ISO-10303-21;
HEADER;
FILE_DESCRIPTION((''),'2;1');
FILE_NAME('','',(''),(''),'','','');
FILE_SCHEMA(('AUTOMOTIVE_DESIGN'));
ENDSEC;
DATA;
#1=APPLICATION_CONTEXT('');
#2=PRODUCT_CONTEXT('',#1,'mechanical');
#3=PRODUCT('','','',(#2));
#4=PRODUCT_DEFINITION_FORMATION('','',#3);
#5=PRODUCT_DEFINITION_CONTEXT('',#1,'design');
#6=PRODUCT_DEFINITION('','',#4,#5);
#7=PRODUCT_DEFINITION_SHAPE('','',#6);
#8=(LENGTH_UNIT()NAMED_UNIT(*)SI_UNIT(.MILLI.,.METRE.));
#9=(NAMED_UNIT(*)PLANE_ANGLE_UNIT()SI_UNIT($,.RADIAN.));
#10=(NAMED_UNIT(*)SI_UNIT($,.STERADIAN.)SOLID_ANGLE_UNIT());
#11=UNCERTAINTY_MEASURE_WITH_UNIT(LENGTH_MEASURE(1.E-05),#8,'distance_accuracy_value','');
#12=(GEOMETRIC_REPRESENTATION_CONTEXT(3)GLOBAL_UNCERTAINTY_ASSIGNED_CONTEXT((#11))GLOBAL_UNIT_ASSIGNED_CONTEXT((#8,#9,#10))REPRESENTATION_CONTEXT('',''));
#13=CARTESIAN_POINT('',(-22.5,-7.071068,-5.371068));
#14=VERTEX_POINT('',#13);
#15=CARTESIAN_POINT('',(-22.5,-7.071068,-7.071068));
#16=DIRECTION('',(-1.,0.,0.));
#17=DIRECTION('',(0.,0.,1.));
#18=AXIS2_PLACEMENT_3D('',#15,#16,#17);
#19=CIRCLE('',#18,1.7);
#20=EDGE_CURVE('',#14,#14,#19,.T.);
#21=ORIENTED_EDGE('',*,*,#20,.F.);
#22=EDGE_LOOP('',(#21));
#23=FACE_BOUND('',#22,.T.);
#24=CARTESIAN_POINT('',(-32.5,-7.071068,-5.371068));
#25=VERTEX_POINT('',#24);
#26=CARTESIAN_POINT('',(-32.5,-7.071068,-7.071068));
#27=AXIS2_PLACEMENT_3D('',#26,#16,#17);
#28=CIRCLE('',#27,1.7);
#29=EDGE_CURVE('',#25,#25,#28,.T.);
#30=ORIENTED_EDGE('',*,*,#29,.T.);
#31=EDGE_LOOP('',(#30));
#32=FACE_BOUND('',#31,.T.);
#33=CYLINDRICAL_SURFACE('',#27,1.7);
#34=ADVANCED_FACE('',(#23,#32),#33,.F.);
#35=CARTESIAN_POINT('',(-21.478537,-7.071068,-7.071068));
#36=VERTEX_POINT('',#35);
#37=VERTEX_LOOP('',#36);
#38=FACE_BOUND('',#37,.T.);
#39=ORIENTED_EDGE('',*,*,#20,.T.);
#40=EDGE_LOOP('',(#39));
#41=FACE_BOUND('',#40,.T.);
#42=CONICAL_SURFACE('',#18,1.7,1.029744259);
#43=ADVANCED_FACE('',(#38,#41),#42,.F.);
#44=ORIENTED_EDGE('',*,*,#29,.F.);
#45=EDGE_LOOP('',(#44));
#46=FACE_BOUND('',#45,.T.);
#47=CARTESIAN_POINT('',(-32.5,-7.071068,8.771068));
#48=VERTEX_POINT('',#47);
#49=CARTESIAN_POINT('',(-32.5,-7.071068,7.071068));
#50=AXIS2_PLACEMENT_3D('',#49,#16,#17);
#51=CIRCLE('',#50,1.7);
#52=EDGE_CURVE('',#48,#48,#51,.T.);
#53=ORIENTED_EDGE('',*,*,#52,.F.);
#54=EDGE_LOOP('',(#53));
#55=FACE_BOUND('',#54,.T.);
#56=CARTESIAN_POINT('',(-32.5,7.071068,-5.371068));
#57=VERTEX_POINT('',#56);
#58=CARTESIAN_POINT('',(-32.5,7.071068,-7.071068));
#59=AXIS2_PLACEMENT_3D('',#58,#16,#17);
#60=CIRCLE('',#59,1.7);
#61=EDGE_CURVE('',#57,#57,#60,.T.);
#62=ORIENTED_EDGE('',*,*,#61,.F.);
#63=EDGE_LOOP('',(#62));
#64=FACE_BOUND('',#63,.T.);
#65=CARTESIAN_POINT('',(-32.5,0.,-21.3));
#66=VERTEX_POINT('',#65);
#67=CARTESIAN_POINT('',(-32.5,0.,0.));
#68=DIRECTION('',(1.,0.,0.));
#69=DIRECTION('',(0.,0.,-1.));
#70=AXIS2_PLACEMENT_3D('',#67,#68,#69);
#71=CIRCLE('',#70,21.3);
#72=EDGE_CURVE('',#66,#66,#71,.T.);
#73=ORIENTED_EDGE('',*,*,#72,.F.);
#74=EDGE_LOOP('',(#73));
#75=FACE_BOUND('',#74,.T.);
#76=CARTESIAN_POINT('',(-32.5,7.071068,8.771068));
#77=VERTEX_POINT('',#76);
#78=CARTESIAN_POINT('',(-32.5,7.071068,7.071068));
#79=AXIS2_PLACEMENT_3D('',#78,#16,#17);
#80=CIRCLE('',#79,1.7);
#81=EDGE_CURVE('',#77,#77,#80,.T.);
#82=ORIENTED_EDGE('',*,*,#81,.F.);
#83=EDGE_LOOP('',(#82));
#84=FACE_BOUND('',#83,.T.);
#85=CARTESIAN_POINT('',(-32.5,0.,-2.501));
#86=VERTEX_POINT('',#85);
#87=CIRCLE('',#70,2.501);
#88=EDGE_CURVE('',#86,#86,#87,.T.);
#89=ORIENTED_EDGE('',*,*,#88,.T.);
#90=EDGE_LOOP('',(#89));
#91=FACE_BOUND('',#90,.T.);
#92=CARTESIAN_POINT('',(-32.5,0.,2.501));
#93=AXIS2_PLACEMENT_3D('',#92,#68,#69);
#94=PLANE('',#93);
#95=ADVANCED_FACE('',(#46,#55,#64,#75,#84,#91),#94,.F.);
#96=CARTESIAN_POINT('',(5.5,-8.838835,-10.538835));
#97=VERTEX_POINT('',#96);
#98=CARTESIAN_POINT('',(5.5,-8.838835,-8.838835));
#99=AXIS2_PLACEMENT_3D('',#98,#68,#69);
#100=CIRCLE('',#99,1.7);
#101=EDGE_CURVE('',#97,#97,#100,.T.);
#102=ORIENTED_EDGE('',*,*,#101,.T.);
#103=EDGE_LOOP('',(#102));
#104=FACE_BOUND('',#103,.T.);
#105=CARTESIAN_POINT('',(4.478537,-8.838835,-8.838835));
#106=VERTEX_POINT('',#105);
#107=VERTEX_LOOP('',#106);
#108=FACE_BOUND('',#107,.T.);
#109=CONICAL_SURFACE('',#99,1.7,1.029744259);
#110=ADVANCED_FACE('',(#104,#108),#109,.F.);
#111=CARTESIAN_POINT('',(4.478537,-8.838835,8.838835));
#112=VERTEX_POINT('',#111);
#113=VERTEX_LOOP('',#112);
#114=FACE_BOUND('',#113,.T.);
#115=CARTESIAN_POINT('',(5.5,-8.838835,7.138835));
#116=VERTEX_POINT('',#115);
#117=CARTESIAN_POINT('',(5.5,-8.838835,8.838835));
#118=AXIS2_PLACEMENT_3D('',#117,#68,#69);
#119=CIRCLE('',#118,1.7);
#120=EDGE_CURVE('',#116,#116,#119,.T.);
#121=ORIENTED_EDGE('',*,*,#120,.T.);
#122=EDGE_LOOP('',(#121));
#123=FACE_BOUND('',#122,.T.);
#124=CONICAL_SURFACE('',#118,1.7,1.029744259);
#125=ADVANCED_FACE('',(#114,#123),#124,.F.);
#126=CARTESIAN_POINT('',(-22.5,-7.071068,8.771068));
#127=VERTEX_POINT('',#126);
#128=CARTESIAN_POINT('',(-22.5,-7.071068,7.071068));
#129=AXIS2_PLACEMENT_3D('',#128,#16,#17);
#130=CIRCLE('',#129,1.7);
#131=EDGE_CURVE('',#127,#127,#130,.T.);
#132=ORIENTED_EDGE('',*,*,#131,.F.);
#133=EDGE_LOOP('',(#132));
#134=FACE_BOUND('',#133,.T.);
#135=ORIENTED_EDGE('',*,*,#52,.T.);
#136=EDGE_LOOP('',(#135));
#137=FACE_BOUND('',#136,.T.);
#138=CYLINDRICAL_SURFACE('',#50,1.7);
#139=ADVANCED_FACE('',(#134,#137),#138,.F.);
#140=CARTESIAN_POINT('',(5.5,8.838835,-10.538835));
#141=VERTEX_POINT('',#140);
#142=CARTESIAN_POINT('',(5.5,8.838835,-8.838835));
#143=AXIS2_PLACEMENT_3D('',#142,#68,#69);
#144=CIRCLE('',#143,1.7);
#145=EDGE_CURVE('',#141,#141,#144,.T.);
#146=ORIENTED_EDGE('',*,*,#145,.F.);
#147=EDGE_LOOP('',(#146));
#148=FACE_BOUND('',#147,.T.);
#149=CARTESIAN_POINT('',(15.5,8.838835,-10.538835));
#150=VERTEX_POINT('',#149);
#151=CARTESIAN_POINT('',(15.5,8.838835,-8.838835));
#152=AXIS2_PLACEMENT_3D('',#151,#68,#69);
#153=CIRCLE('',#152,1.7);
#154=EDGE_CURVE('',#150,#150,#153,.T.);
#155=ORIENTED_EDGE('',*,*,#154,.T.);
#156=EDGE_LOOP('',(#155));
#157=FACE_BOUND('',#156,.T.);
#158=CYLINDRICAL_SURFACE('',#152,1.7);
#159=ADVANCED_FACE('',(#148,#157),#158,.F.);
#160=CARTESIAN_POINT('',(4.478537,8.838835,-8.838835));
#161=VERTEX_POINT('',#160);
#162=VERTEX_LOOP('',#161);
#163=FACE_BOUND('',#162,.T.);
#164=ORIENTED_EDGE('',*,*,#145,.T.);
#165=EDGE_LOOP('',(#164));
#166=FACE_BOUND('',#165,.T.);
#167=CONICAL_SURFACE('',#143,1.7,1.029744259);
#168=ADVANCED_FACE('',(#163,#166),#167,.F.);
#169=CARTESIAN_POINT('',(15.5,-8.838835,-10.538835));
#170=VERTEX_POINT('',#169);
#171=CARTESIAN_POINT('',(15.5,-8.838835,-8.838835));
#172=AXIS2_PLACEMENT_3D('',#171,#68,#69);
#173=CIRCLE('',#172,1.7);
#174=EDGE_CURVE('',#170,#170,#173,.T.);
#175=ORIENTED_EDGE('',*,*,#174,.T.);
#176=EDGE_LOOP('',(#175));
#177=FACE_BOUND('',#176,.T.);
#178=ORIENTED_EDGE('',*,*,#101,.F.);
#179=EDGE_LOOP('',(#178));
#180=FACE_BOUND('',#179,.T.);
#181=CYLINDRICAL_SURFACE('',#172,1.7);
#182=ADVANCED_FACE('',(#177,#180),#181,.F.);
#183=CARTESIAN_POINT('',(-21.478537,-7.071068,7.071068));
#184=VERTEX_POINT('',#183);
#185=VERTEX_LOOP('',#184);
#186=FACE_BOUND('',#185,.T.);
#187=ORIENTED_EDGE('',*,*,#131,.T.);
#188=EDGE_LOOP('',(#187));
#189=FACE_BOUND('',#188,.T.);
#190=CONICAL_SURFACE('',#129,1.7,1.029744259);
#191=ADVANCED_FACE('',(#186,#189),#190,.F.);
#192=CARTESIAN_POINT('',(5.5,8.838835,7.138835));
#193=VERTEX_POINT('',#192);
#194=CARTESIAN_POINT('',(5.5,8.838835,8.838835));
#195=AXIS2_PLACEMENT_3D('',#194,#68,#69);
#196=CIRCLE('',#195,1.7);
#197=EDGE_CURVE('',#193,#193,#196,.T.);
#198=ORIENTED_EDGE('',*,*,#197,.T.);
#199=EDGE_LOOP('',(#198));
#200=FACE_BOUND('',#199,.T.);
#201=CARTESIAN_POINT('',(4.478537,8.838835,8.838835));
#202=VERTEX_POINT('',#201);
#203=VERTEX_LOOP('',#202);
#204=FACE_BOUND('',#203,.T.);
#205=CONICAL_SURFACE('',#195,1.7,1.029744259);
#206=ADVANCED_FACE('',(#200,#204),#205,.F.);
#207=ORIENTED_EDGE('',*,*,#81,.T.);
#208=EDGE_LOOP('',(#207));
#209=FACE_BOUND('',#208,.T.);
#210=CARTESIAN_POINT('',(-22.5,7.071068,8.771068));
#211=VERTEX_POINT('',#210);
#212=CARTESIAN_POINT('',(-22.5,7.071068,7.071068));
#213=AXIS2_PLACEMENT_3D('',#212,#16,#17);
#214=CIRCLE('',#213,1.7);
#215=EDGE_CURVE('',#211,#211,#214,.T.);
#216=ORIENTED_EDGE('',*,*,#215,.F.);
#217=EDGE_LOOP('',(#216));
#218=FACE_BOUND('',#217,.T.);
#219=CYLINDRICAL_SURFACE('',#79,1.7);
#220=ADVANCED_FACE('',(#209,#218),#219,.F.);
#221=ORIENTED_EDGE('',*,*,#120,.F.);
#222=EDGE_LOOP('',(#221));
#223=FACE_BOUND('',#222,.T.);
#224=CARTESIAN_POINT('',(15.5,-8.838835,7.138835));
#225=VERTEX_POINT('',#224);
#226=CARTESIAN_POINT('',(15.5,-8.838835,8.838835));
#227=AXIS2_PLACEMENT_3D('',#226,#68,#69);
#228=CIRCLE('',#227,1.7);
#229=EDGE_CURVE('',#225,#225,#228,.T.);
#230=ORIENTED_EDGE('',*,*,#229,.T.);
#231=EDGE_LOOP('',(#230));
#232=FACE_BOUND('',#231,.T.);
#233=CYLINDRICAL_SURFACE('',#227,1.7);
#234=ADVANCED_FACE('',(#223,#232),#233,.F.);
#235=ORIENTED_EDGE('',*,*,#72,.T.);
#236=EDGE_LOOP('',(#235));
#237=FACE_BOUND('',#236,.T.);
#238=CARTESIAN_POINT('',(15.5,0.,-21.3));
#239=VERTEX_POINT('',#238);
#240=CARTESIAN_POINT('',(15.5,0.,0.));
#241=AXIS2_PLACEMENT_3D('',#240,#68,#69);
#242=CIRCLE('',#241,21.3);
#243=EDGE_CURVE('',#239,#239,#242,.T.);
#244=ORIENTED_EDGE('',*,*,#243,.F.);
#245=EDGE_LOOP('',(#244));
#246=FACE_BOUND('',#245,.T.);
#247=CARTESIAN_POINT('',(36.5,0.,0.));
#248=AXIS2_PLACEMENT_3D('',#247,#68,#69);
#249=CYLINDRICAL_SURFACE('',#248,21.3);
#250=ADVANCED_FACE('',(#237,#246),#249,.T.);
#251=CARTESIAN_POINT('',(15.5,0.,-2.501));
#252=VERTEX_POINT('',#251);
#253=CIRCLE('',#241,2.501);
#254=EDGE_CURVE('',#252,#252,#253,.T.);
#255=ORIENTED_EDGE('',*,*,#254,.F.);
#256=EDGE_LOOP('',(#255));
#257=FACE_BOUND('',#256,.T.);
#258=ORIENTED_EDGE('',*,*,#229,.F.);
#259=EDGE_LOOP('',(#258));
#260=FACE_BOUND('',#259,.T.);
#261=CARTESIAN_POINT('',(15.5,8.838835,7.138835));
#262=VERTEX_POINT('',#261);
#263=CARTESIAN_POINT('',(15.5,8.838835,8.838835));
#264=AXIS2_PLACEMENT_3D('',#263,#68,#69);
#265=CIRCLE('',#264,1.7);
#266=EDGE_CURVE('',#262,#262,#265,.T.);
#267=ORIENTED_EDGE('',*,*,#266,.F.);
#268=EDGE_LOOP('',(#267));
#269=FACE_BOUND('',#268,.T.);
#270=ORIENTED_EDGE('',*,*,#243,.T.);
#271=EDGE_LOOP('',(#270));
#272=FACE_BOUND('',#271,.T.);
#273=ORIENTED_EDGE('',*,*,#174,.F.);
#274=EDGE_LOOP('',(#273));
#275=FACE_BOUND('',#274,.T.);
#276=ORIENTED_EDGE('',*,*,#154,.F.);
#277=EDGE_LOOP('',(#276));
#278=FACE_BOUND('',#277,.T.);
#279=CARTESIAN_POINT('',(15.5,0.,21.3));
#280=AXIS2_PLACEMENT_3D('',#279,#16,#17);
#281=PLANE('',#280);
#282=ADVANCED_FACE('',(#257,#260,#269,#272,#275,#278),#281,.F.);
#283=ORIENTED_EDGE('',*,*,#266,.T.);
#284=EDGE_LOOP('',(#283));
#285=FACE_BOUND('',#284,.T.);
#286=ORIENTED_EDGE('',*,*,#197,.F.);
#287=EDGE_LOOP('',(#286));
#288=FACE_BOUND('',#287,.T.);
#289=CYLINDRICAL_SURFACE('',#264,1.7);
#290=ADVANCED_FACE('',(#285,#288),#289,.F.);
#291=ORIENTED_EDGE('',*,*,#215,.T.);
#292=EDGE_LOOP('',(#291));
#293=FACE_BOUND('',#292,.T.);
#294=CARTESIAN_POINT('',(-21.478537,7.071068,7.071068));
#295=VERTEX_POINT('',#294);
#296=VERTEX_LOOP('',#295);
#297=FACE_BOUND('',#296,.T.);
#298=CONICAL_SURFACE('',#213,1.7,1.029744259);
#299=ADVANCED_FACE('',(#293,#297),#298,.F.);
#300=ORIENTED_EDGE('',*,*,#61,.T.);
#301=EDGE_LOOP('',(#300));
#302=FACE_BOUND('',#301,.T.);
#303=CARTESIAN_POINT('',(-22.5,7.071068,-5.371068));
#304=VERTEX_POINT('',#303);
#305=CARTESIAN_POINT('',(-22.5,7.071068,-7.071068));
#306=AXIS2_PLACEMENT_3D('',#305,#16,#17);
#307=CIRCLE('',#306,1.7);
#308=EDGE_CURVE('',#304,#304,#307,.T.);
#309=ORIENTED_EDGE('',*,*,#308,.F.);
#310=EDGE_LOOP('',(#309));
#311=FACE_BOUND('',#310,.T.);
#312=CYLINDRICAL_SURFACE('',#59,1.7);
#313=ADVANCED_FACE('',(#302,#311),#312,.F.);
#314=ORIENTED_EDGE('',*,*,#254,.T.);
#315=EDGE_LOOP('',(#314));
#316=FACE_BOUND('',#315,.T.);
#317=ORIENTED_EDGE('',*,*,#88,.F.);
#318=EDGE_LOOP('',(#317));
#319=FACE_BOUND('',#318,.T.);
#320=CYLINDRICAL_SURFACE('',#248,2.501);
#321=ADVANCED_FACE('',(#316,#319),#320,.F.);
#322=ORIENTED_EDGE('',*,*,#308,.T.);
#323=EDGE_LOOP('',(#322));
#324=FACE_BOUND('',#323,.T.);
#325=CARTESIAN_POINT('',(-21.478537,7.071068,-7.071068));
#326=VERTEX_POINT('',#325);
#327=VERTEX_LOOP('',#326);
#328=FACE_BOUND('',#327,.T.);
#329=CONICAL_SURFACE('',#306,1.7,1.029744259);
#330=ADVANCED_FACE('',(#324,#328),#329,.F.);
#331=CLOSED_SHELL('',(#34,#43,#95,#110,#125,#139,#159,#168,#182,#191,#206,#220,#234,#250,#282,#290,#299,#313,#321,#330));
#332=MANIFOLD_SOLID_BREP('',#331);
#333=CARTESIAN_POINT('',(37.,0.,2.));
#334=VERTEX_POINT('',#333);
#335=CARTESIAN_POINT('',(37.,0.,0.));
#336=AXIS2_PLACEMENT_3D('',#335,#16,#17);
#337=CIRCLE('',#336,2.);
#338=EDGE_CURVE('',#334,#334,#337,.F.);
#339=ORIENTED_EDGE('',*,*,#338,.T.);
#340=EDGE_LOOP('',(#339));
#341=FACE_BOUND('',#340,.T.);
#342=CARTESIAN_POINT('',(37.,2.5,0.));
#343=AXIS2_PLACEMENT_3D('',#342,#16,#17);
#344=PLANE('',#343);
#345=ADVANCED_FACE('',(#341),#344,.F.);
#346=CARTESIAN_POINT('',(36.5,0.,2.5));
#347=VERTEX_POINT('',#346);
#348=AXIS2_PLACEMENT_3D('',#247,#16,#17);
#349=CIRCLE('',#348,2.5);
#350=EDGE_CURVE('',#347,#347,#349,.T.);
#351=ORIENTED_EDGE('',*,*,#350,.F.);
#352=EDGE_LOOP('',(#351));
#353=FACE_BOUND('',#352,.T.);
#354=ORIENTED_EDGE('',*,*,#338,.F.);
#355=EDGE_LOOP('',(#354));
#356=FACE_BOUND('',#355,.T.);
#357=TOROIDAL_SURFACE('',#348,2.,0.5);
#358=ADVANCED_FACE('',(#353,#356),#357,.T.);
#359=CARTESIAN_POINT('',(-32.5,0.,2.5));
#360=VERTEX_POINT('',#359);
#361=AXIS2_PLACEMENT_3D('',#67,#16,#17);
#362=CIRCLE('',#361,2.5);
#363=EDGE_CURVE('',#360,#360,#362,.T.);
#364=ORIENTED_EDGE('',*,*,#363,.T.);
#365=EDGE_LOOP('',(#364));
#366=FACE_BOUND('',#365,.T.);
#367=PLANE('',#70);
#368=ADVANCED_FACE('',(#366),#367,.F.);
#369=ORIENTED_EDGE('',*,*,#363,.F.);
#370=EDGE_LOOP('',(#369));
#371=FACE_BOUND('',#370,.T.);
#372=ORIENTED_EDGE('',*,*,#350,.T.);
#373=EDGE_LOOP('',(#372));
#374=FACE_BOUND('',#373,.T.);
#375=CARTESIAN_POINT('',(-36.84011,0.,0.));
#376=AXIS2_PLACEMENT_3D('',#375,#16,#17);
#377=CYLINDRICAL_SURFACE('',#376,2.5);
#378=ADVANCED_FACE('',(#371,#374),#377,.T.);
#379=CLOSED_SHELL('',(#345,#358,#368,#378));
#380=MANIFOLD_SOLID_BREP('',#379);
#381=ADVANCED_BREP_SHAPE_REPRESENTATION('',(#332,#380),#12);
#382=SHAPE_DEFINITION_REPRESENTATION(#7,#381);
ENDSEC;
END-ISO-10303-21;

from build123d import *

# Parameters (mm, degrees)
ESBO_O1_W                        = 69.5
ESBO_O1_H                        = 2.5
FILETE1_R                        = 0.5
ESBO_O10_W                       = 48
ESBO_O10_H                       = 18.799
FURO_COM_FOLGA_DE_M32_AT_2_COUNT = 2
FURO_COM_FOLGA_DE_M32_AT_2_PITCH = 17.67766953
FURO_COM_FOLGA_DE_M32_AT_3_COUNT = 2
FURO_COM_FOLGA_DE_M32_AT_3_PITCH = 25
FURO_COM_FOLGA_DE_M32_AT_4_COUNT = 2
FURO_COM_FOLGA_DE_M32_AT_4_PITCH = 17.67766953
FURO_COM_FOLGA_DE_M33_AT_2_COUNT = 2
FURO_COM_FOLGA_DE_M33_AT_2_PITCH = 14.142135624
FURO_COM_FOLGA_DE_M33_AT_3_COUNT = 2
FURO_COM_FOLGA_DE_M33_AT_3_PITCH = 20
FURO_COM_FOLGA_DE_M33_AT_4_COUNT = 2
FURO_COM_FOLGA_DE_M33_AT_4_PITCH = 14.142135624


with BuildPart() as part:
    # Esboço1 → Revolução2 (revolve)
    with BuildSketch(Plane.XY, mode=Mode.PRIVATE) as revolu_o2_sk:
        with Locations((2.25, 1.25)):
            Rectangle(ESBO_O1_W, ESBO_O1_H)
    revolve(revolu_o2_sk.sketch.rotate(Axis((-36.840109943, 0, 0), (1, 0, 0)), 90), axis=Axis((-36.840109943, 0, 0), (1, 0, 0)))

    # Filete1
    filete1_edges = [part.edges().sort_by_distance(p)[0] for p in [
        (37, 0, -2.5),
    ]]
    fillet(filete1_edges, radius=FILETE1_R)


with BuildPart() as body_2:
    # Esboço10 → Revolução3 (revolve)
    with BuildSketch(Plane(origin=(0, 0, 0), x_dir=(1, 0, 0), z_dir=(0, 1, 0)), mode=Mode.PRIVATE) as revolu_o3_sk:
        with Locations((-8.5, -11.9005)):
            Rectangle(ESBO_O10_W, ESBO_O10_H)
    revolve(revolu_o3_sk.sketch.rotate(Axis((36.5, 0, 0), (-1, 0, 0)), 180), axis=Axis((36.5, 0, 0), (-1, 0, 0)))

    # Esboço12 → Furo com folga de M32 (revolve, cut)
    with BuildSketch(Plane(origin=(15.5, 8.838834765, 8.838834765), x_dir=(0, 0, -1), z_dir=(0, 1, 0))):
        Polygon((0, 0), (0, 11.021463052), (1.7, 10), (1.7, 0), align=None)
    furo_com_folga_de_m32 = revolve(axis=Axis((21.85, 8.838834765, 8.838834765), (-1, 0, 0)), mode=Mode.SUBTRACT)

    # Furo com folga de M32 at 2: Furo com folga de M32 ×2
    with Locations(*[(0, 0, -i * FURO_COM_FOLGA_DE_M32_AT_2_PITCH) for i in range(1, FURO_COM_FOLGA_DE_M32_AT_2_COUNT)]):
        add(furo_com_folga_de_m32, mode=Mode.SUBTRACT)

    # Furo com folga de M32 at 3: Furo com folga de M32 ×2
    with Locations(*[Vector(0, -0.7071067811865437, -0.7071067811865515) * (i * FURO_COM_FOLGA_DE_M32_AT_3_PITCH) for i in range(1, FURO_COM_FOLGA_DE_M32_AT_3_COUNT)]):
        add(furo_com_folga_de_m32, mode=Mode.SUBTRACT)

    # Furo com folga de M32 at 4: Furo com folga de M32 ×2
    with Locations(*[(0, -i * FURO_COM_FOLGA_DE_M32_AT_4_PITCH, 0) for i in range(1, FURO_COM_FOLGA_DE_M32_AT_4_COUNT)]):
        add(furo_com_folga_de_m32, mode=Mode.SUBTRACT)

    # Esboço15 → Furo com folga de M33 (revolve, cut)
    with BuildSketch(Plane(origin=(-32.5, 7.071067812, -7.071067812), x_dir=(0, 0, 1), z_dir=(0, 1, 0))):
        Polygon((0, 0), (0, 11.021463052), (1.7, 10), (1.7, 0), align=None)
    furo_com_folga_de_m33 = revolve(axis=Axis((-38.85, 7.071067812, -7.071067812), (1, 0, 0)), mode=Mode.SUBTRACT)

    # Furo com folga de M33 at 2: Furo com folga de M33 ×2
    with Locations(*[(0, -i * FURO_COM_FOLGA_DE_M33_AT_2_PITCH, 0) for i in range(1, FURO_COM_FOLGA_DE_M33_AT_2_COUNT)]):
        add(furo_com_folga_de_m33, mode=Mode.SUBTRACT)

    # Furo com folga de M33 at 3: Furo com folga de M33 ×2
    with Locations(*[Vector(0, -0.7071067811865432, 0.7071067811865519) * (i * FURO_COM_FOLGA_DE_M33_AT_3_PITCH) for i in range(1, FURO_COM_FOLGA_DE_M33_AT_3_COUNT)]):
        add(furo_com_folga_de_m33, mode=Mode.SUBTRACT)

    # Furo com folga de M33 at 4: Furo com folga de M33 ×2
    with Locations(*[(0, 0, i * FURO_COM_FOLGA_DE_M33_AT_4_PITCH) for i in range(1, FURO_COM_FOLGA_DE_M33_AT_4_COUNT)]):
        add(furo_com_folga_de_m33, mode=Mode.SUBTRACT)


solid = Compound([part.part, body_2.part])
